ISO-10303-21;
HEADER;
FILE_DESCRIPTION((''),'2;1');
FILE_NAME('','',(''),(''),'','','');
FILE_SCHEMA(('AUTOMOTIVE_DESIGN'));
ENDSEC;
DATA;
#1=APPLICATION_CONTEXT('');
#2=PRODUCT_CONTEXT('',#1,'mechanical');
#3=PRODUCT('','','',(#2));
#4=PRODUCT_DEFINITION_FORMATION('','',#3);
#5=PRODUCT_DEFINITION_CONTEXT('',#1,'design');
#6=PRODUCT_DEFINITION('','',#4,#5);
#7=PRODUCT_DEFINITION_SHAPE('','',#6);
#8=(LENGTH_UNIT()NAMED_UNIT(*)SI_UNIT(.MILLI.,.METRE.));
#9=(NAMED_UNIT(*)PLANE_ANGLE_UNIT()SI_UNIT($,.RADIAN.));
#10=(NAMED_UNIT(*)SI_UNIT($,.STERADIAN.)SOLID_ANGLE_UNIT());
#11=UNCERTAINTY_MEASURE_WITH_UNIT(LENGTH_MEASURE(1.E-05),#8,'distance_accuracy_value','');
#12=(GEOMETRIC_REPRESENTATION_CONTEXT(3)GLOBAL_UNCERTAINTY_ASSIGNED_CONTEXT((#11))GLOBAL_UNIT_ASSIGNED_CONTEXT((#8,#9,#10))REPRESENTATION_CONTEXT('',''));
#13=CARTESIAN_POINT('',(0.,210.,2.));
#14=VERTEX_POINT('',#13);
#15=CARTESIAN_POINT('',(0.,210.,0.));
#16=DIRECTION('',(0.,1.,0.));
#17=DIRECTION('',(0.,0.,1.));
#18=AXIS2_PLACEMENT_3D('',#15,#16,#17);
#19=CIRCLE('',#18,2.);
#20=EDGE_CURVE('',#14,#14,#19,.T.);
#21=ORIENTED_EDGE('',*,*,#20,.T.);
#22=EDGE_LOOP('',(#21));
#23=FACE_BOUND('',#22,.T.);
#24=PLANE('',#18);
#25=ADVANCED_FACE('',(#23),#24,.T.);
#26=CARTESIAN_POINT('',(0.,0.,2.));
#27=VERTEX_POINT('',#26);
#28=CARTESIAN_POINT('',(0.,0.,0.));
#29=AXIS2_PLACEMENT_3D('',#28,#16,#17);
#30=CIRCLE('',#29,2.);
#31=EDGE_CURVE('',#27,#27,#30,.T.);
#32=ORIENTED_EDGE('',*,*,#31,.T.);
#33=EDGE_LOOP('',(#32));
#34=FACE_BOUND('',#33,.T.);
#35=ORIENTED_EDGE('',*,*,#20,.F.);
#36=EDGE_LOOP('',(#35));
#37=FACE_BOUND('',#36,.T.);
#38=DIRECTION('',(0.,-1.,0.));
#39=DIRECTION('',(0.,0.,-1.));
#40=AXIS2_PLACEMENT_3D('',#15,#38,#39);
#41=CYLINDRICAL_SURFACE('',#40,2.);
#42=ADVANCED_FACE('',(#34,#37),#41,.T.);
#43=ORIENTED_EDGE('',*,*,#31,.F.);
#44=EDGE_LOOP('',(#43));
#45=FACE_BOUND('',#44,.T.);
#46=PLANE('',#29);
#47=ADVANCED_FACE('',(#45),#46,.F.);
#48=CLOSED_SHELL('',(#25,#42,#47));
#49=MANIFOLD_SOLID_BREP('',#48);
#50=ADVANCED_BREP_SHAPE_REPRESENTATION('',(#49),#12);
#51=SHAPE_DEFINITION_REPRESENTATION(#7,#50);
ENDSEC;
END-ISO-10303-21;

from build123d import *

# Parameters (mm, degrees)
SKETCH1_R           = 2
BOSS_EXTRUDE1_DEPTH = 210


with BuildPart() as part:
    # Sketch1 → Boss-Extrude1 (new body)
    with BuildSketch(Plane(origin=(0, 0, 0), x_dir=(1, 0, 0), z_dir=(0, 1, 0))):
        Circle(SKETCH1_R)
    extrude(amount=BOSS_EXTRUDE1_DEPTH)


solid = part.part
